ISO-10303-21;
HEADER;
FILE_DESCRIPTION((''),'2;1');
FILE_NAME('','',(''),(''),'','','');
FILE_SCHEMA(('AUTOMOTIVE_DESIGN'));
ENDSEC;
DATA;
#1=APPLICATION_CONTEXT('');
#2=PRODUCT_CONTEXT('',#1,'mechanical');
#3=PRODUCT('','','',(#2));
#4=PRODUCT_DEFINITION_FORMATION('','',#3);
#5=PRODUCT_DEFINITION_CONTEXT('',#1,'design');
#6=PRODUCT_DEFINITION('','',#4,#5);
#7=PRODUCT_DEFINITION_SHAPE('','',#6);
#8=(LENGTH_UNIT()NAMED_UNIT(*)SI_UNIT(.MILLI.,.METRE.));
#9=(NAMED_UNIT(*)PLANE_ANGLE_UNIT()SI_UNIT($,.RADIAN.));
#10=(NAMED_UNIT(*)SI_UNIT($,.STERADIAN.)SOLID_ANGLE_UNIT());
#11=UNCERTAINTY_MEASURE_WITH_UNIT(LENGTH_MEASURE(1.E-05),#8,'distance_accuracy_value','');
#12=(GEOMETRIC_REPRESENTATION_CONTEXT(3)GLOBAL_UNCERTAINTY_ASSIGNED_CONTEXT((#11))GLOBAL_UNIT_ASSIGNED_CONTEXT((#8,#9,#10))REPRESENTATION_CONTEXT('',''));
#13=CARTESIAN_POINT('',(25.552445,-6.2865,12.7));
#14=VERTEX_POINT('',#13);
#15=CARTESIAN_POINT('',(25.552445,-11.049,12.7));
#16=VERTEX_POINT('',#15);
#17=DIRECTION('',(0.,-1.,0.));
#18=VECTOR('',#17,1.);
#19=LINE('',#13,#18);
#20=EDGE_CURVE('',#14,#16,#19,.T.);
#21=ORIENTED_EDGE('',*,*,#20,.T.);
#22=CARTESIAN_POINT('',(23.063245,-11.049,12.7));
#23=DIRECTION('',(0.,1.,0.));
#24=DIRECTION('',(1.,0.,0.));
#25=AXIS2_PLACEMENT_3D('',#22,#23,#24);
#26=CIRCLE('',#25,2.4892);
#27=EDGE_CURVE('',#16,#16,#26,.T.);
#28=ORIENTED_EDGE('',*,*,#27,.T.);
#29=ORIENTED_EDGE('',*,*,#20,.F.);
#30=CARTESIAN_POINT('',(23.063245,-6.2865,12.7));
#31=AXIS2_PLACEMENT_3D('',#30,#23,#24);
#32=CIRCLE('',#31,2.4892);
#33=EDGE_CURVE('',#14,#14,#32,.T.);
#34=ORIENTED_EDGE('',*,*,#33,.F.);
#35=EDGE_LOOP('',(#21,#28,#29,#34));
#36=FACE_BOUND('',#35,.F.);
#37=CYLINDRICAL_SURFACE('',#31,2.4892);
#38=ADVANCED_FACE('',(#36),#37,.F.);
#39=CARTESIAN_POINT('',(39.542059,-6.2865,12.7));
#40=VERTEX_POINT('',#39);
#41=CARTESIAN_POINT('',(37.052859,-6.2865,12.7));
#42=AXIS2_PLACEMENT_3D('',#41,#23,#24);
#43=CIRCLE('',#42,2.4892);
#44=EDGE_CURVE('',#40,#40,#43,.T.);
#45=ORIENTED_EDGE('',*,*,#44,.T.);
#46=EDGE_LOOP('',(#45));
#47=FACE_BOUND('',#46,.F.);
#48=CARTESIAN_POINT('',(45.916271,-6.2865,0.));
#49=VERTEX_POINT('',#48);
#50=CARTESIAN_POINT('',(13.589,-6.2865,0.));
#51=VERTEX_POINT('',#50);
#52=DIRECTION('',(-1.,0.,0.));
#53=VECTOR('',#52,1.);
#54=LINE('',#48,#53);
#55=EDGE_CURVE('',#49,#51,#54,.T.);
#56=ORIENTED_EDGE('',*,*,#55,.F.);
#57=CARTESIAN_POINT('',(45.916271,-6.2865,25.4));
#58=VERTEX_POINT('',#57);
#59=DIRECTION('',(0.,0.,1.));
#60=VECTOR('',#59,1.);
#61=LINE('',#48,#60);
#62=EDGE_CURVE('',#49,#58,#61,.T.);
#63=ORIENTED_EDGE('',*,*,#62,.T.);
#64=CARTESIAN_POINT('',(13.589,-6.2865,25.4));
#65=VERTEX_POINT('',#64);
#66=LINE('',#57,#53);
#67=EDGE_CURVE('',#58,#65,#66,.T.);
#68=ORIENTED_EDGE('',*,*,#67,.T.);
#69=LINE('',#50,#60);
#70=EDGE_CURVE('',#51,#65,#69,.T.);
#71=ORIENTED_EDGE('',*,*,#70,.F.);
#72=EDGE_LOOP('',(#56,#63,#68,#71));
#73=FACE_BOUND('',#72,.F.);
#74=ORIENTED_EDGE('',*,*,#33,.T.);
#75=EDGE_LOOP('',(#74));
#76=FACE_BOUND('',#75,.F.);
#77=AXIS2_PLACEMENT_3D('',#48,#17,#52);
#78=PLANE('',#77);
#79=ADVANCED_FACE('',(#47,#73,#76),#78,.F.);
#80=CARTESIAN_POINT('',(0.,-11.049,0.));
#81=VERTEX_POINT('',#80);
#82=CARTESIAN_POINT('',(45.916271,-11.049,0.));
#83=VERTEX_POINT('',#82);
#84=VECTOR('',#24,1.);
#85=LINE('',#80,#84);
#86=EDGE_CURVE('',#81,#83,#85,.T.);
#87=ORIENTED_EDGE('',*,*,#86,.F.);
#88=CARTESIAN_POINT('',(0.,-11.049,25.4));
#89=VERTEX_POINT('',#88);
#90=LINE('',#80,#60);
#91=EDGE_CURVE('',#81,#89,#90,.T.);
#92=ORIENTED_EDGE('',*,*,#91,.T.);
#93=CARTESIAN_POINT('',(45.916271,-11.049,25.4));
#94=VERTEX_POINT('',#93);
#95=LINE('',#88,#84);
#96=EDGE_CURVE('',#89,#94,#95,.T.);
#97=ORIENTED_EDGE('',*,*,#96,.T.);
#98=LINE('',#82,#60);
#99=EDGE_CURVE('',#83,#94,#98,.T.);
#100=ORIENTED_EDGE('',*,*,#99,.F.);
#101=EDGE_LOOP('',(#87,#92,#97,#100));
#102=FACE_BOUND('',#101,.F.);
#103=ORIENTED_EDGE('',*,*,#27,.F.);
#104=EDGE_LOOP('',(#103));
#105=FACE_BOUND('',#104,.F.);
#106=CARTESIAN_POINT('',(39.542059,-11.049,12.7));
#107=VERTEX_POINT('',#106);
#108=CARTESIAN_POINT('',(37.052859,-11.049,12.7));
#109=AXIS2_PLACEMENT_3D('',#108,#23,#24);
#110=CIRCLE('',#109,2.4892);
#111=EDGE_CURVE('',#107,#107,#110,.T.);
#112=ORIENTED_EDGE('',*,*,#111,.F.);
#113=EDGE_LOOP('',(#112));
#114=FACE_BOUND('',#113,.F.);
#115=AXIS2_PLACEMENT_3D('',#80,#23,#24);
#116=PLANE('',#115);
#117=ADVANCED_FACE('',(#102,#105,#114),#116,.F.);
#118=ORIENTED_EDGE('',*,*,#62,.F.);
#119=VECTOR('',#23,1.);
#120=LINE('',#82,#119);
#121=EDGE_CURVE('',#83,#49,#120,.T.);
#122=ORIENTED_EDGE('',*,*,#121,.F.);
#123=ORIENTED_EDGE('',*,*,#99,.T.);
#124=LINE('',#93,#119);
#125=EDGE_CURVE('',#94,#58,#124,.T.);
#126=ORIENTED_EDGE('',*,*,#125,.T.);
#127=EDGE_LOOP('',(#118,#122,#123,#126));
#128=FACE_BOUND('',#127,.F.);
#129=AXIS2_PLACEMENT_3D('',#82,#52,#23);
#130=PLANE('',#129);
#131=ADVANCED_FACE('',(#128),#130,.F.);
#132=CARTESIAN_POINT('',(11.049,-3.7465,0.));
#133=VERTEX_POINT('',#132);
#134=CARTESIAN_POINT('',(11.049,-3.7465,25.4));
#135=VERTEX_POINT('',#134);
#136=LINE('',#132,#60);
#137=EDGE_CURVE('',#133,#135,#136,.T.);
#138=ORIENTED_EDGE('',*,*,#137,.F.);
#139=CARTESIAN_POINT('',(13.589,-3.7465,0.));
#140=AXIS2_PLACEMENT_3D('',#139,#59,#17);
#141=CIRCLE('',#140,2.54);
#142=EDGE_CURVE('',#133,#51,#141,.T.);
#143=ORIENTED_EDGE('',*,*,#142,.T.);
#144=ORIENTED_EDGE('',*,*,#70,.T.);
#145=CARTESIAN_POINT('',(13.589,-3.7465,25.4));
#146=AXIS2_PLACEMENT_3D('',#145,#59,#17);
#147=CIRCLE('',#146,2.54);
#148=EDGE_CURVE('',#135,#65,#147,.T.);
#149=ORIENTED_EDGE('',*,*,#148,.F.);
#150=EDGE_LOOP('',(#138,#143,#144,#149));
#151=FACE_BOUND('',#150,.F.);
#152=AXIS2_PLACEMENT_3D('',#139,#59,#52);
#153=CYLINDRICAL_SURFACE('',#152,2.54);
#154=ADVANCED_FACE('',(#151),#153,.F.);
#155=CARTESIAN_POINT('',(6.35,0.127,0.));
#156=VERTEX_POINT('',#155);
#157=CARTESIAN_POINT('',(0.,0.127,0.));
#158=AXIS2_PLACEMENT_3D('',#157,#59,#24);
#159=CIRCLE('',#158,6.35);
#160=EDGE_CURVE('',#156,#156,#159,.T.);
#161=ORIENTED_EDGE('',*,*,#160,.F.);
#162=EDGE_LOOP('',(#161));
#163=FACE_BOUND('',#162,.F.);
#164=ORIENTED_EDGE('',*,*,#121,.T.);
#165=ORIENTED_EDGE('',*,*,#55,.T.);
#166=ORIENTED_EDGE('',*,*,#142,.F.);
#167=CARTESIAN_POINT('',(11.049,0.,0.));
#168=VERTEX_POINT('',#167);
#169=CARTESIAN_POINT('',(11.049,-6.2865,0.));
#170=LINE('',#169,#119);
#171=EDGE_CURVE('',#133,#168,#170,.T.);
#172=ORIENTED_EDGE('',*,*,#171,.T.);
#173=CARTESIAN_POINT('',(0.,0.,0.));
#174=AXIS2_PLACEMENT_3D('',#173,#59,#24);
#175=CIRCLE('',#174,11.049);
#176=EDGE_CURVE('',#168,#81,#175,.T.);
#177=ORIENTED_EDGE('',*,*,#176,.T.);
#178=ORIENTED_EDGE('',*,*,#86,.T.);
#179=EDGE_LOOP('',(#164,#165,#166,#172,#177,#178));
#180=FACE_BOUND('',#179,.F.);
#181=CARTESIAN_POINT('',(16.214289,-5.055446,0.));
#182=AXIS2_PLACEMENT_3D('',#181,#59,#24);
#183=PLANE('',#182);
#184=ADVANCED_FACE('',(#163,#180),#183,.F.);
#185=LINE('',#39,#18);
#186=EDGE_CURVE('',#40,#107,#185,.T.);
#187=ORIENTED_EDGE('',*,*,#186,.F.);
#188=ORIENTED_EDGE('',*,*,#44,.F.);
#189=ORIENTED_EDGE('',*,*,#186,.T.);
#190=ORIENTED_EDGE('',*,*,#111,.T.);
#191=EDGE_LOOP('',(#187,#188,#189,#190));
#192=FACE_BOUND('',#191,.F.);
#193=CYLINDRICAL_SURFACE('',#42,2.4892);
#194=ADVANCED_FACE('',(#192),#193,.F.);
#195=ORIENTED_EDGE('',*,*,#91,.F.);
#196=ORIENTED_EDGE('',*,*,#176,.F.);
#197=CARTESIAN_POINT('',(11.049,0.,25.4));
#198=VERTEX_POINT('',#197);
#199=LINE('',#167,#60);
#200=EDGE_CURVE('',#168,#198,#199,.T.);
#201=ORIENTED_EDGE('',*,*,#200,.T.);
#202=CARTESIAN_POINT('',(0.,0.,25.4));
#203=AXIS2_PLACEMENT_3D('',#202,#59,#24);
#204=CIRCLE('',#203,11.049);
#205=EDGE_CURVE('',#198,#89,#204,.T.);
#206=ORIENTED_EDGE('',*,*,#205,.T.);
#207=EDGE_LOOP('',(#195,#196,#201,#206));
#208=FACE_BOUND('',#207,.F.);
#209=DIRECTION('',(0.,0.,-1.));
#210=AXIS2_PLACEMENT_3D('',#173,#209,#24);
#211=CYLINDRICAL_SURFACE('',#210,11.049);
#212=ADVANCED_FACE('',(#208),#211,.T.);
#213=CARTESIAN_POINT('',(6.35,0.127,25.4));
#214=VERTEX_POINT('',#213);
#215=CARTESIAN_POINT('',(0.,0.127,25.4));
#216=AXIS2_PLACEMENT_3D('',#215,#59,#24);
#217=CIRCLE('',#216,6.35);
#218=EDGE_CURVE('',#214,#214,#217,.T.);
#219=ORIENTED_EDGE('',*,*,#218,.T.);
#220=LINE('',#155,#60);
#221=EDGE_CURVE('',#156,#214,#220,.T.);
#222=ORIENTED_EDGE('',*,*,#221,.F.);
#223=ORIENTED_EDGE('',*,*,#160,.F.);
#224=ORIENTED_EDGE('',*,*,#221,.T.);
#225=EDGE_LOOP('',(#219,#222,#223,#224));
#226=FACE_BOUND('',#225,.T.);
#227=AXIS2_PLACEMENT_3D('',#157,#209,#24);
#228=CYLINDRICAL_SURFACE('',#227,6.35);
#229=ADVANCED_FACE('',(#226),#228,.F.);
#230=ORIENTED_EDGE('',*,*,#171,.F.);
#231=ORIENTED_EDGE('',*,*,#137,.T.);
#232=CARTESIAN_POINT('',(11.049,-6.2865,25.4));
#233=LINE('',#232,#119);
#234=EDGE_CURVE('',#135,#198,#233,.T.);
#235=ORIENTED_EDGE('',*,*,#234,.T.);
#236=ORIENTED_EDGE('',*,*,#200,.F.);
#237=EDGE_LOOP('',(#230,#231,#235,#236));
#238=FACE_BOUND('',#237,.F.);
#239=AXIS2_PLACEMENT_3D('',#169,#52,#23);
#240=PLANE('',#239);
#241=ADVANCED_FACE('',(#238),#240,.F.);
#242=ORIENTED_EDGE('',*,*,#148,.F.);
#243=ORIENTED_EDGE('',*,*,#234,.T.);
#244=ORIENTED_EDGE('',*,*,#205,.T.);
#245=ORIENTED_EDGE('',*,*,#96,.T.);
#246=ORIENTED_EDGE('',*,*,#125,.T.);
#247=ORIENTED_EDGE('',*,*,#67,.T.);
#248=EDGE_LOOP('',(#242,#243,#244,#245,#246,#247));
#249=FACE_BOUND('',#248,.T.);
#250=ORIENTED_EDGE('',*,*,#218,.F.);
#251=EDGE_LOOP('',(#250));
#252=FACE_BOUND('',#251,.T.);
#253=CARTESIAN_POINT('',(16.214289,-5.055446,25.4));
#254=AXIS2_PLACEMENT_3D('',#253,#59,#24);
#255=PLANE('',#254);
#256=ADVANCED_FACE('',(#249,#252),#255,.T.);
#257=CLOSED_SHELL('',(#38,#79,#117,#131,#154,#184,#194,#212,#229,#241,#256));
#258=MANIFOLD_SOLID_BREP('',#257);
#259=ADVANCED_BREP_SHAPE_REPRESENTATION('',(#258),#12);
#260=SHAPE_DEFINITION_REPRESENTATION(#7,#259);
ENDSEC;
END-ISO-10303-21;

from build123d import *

# Parameters (mm, degrees)
SKETCH1_R           = 6.35
BOSS_EXTRUDE1_DEPTH = 25.4
FILLET1_R           = 2.54
SKETCH2_R           = 2.4892
CUT_EXTRUDE1_DEPTH  = 5.7625


with BuildPart() as part:
    # Sketch1 → Boss-Extrude1 (new body)
    with BuildSketch(Plane.XY):
        with BuildLine():
            Line((11.049, -6.2865), (11.049, 0))
            ThreePointArc((11.049, 0), (-7.812822825, 7.812822825), (0, -11.049))
            Line((0, -11.049), (45.91627088, -11.049))
            Line((45.91627088, -11.049), (45.91627088, -6.2865))
            Line((45.91627088, -6.2865), (11.049, -6.2865))
        make_face()
        with Locations((0, 0.127)):
            Circle(SKETCH1_R, mode=Mode.SUBTRACT)
    extrude(amount=BOSS_EXTRUDE1_DEPTH)

    # Fillet1
    fillet1_edges = [part.edges().sort_by_distance(p)[0] for p in [
        (11.049, -6.2865, 12.7),
    ]]
    fillet(fillet1_edges, radius=FILLET1_R)

    # Sketch2 → Cut-Extrude1 (cut, through all)
    with BuildSketch(Plane(origin=(0, -6.2865, 0), x_dir=(1, 0, 0), z_dir=(0, 1, 0))):
        with Locations((37.052858889, -12.7)):
            Circle(SKETCH2_R)
        with Locations((23.063244992, -12.7)):
            Circle(SKETCH2_R)
    extrude(amount=-CUT_EXTRUDE1_DEPTH, mode=Mode.SUBTRACT)


solid = part.part
